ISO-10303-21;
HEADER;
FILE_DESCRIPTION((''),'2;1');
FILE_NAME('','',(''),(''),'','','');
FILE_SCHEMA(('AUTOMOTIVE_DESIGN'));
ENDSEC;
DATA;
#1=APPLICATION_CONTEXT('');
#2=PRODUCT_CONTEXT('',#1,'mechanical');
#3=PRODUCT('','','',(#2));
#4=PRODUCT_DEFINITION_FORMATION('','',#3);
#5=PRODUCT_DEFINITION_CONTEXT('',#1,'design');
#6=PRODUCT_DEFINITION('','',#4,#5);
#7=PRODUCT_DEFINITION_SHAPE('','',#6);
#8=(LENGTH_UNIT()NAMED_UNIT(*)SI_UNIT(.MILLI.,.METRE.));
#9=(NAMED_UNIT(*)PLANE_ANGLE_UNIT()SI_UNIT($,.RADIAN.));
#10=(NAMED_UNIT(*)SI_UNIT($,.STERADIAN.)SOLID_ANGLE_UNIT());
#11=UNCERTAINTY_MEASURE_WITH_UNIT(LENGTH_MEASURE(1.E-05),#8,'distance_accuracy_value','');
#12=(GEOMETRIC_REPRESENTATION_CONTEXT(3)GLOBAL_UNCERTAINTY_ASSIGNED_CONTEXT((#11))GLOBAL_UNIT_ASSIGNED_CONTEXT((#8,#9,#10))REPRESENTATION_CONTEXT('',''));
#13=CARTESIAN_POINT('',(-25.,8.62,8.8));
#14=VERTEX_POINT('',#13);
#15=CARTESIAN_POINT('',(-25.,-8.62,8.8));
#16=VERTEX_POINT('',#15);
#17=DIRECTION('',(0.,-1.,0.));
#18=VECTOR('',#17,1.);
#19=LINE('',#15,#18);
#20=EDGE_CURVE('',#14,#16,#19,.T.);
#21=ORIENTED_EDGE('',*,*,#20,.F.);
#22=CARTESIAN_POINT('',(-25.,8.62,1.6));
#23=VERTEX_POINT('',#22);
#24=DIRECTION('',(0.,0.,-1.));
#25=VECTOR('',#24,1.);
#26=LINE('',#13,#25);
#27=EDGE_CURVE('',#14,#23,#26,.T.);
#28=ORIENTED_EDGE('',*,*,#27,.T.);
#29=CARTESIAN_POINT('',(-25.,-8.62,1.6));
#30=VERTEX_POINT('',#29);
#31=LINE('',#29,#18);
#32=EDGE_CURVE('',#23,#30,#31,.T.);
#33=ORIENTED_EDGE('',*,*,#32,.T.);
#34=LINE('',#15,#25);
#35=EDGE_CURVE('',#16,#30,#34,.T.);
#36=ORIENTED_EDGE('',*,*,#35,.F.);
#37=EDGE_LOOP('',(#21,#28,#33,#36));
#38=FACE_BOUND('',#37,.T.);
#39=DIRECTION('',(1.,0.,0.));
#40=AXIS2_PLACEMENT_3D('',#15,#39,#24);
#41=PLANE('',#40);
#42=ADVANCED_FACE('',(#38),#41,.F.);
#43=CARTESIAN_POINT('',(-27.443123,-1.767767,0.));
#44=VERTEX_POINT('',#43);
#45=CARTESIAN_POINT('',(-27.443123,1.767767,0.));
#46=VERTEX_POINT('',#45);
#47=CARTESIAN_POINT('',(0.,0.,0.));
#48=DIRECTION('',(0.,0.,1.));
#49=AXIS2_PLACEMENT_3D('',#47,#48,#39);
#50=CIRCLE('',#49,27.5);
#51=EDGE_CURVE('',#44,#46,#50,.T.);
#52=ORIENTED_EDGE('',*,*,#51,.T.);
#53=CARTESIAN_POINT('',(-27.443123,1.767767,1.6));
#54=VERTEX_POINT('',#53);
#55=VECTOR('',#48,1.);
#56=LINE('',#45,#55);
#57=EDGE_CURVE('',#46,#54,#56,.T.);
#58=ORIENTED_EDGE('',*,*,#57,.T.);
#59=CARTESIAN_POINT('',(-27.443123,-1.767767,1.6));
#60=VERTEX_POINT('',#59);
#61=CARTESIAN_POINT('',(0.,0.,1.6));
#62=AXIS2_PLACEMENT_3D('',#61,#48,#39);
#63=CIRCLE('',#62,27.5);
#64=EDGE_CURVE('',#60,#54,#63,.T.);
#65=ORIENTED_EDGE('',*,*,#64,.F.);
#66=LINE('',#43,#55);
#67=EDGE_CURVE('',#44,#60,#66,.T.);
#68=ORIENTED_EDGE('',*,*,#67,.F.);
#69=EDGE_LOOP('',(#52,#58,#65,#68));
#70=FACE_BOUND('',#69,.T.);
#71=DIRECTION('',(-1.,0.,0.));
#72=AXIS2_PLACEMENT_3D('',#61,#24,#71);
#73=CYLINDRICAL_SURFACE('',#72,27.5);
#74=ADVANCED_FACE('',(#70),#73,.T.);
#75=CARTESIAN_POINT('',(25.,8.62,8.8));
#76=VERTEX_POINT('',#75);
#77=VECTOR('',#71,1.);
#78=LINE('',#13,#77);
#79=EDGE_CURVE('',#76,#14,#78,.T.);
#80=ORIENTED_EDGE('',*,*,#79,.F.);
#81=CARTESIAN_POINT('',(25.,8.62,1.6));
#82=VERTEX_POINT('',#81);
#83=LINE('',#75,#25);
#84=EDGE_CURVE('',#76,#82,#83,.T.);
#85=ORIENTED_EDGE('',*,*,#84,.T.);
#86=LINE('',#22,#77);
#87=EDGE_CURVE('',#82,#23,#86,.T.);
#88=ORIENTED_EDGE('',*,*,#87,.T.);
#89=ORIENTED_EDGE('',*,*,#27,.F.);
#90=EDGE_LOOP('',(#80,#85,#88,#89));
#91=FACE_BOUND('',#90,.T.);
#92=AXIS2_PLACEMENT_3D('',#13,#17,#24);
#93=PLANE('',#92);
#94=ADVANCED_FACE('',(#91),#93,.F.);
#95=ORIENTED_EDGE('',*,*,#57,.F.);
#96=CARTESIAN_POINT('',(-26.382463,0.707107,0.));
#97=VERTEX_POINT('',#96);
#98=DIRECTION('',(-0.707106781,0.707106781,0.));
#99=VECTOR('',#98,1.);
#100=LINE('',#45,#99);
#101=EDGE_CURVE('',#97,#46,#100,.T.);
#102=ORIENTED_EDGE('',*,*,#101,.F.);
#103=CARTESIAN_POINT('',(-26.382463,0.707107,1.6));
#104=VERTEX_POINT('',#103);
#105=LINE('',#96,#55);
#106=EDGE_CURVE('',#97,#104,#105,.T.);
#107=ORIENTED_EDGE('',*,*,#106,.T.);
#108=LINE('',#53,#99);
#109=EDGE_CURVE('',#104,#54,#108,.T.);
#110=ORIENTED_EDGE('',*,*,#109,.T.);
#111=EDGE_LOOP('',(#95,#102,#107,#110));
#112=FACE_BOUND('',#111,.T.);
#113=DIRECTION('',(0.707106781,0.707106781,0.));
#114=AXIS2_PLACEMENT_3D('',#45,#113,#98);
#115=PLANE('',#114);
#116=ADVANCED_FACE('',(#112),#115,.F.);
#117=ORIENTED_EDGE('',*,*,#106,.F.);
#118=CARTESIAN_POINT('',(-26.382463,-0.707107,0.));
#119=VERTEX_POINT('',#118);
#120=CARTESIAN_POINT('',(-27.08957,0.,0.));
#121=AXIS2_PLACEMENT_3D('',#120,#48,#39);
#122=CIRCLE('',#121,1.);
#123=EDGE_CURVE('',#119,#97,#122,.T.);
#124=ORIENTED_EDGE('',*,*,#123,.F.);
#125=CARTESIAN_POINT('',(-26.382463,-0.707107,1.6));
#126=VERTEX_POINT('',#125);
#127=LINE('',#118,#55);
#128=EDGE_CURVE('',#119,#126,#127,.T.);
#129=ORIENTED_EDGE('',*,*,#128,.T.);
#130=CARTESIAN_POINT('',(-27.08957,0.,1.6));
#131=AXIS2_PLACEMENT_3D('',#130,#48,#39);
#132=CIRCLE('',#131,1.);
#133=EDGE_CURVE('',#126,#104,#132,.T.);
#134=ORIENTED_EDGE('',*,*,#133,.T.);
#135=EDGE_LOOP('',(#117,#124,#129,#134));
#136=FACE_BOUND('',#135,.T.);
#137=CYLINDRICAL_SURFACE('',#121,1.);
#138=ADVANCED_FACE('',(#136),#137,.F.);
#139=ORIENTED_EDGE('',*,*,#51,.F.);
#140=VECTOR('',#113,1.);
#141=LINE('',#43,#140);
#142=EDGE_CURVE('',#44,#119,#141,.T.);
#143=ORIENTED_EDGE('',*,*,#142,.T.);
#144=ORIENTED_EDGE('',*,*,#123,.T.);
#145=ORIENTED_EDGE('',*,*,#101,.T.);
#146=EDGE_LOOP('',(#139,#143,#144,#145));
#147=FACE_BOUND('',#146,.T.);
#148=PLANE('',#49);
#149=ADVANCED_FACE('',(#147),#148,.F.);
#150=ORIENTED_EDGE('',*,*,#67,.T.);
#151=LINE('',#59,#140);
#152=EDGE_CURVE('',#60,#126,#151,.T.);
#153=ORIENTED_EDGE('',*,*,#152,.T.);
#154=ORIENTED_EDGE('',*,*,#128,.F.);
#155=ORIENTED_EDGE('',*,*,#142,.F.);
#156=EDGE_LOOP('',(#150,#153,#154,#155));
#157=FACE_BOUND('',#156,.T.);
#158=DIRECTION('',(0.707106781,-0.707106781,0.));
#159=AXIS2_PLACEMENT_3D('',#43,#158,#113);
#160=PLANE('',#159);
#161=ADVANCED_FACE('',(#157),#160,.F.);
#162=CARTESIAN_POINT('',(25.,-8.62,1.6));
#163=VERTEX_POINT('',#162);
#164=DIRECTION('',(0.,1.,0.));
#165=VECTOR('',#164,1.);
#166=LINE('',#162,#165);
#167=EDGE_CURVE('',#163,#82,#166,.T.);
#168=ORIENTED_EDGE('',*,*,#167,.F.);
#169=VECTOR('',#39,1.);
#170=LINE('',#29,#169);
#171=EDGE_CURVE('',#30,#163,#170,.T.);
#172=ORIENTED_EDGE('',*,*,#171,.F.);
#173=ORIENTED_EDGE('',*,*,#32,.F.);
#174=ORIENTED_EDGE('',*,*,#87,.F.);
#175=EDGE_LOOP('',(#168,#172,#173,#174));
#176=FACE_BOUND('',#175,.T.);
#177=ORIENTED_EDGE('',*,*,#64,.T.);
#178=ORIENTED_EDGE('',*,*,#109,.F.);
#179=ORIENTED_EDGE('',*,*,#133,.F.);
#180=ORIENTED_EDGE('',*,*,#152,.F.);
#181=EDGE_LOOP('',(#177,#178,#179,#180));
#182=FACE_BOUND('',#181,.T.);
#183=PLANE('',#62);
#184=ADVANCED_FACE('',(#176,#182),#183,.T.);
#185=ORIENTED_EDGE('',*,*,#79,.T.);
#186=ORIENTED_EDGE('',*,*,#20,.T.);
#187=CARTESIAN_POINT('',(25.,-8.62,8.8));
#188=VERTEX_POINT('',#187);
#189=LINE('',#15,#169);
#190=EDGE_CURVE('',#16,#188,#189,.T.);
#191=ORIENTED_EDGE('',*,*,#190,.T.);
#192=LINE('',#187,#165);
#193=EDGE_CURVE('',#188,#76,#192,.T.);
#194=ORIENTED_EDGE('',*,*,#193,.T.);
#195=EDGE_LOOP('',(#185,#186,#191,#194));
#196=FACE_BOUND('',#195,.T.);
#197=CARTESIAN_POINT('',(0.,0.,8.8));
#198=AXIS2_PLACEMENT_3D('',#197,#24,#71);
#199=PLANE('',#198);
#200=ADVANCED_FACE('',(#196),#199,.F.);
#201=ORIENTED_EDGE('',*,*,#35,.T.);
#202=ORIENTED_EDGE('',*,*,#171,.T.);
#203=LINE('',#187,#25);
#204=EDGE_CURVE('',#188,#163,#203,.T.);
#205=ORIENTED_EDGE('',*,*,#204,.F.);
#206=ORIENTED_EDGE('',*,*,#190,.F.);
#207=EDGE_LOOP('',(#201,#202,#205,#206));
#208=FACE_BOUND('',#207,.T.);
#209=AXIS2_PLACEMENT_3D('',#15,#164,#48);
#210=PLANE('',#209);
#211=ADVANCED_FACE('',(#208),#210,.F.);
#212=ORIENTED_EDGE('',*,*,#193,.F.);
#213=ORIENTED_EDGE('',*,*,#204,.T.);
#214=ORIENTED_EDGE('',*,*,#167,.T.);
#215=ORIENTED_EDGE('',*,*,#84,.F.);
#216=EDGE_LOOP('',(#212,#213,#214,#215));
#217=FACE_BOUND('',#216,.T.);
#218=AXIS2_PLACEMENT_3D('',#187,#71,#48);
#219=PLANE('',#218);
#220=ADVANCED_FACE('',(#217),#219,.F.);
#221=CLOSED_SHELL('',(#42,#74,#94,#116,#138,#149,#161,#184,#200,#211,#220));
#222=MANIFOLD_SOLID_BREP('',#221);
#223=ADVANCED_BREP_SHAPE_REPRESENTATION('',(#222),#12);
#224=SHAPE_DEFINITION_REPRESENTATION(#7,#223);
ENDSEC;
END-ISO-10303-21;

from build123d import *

# Parameters (mm, degrees)
SKETCH_1_R          = 27.5
EXTRUDE_1_DEPTH     = 1.6
SKETCH_2_W          = 50
SKETCH_2_H          = 17.24
EXTRUDE_2_DEPTH     = 7.2
CUT_EXTRUDE_1_DEPTH = 40.551738268


with BuildPart() as part:
    # 草图1 → 凸台-拉伸1 (new body)
    with BuildSketch(Plane.XY):
        Circle(SKETCH_1_R)
    extrude(amount=EXTRUDE_1_DEPTH)

    # 草图2 → 凸台-拉伸2 (add)
    with BuildSketch(Plane.XY.offset(1.6)):
        Rectangle(SKETCH_2_W, SKETCH_2_H)
    extrude(amount=EXTRUDE_2_DEPTH)

    # 草图3 → 切除-拉伸1 (cut, through all)
    with BuildSketch(Plane.XY.offset(1.6)):
        with BuildLine():
            Line((-27.443123, 1.767766953), (-26.382462828, 0.707106781))
            ThreePointArc((-26.382462828, 0.707106781), (-26.08956961, 0), (-26.382462828, -0.707106781))
            Line((-26.382462828, -0.707106781), (-27.443123, -1.767766953))
            ThreePointArc((-27.443123, -1.767766953), (-27.5, 0), (-27.443123, 1.767766953))
        make_face()
    extrude(amount=-CUT_EXTRUDE_1_DEPTH, mode=Mode.SUBTRACT)


solid = part.part
